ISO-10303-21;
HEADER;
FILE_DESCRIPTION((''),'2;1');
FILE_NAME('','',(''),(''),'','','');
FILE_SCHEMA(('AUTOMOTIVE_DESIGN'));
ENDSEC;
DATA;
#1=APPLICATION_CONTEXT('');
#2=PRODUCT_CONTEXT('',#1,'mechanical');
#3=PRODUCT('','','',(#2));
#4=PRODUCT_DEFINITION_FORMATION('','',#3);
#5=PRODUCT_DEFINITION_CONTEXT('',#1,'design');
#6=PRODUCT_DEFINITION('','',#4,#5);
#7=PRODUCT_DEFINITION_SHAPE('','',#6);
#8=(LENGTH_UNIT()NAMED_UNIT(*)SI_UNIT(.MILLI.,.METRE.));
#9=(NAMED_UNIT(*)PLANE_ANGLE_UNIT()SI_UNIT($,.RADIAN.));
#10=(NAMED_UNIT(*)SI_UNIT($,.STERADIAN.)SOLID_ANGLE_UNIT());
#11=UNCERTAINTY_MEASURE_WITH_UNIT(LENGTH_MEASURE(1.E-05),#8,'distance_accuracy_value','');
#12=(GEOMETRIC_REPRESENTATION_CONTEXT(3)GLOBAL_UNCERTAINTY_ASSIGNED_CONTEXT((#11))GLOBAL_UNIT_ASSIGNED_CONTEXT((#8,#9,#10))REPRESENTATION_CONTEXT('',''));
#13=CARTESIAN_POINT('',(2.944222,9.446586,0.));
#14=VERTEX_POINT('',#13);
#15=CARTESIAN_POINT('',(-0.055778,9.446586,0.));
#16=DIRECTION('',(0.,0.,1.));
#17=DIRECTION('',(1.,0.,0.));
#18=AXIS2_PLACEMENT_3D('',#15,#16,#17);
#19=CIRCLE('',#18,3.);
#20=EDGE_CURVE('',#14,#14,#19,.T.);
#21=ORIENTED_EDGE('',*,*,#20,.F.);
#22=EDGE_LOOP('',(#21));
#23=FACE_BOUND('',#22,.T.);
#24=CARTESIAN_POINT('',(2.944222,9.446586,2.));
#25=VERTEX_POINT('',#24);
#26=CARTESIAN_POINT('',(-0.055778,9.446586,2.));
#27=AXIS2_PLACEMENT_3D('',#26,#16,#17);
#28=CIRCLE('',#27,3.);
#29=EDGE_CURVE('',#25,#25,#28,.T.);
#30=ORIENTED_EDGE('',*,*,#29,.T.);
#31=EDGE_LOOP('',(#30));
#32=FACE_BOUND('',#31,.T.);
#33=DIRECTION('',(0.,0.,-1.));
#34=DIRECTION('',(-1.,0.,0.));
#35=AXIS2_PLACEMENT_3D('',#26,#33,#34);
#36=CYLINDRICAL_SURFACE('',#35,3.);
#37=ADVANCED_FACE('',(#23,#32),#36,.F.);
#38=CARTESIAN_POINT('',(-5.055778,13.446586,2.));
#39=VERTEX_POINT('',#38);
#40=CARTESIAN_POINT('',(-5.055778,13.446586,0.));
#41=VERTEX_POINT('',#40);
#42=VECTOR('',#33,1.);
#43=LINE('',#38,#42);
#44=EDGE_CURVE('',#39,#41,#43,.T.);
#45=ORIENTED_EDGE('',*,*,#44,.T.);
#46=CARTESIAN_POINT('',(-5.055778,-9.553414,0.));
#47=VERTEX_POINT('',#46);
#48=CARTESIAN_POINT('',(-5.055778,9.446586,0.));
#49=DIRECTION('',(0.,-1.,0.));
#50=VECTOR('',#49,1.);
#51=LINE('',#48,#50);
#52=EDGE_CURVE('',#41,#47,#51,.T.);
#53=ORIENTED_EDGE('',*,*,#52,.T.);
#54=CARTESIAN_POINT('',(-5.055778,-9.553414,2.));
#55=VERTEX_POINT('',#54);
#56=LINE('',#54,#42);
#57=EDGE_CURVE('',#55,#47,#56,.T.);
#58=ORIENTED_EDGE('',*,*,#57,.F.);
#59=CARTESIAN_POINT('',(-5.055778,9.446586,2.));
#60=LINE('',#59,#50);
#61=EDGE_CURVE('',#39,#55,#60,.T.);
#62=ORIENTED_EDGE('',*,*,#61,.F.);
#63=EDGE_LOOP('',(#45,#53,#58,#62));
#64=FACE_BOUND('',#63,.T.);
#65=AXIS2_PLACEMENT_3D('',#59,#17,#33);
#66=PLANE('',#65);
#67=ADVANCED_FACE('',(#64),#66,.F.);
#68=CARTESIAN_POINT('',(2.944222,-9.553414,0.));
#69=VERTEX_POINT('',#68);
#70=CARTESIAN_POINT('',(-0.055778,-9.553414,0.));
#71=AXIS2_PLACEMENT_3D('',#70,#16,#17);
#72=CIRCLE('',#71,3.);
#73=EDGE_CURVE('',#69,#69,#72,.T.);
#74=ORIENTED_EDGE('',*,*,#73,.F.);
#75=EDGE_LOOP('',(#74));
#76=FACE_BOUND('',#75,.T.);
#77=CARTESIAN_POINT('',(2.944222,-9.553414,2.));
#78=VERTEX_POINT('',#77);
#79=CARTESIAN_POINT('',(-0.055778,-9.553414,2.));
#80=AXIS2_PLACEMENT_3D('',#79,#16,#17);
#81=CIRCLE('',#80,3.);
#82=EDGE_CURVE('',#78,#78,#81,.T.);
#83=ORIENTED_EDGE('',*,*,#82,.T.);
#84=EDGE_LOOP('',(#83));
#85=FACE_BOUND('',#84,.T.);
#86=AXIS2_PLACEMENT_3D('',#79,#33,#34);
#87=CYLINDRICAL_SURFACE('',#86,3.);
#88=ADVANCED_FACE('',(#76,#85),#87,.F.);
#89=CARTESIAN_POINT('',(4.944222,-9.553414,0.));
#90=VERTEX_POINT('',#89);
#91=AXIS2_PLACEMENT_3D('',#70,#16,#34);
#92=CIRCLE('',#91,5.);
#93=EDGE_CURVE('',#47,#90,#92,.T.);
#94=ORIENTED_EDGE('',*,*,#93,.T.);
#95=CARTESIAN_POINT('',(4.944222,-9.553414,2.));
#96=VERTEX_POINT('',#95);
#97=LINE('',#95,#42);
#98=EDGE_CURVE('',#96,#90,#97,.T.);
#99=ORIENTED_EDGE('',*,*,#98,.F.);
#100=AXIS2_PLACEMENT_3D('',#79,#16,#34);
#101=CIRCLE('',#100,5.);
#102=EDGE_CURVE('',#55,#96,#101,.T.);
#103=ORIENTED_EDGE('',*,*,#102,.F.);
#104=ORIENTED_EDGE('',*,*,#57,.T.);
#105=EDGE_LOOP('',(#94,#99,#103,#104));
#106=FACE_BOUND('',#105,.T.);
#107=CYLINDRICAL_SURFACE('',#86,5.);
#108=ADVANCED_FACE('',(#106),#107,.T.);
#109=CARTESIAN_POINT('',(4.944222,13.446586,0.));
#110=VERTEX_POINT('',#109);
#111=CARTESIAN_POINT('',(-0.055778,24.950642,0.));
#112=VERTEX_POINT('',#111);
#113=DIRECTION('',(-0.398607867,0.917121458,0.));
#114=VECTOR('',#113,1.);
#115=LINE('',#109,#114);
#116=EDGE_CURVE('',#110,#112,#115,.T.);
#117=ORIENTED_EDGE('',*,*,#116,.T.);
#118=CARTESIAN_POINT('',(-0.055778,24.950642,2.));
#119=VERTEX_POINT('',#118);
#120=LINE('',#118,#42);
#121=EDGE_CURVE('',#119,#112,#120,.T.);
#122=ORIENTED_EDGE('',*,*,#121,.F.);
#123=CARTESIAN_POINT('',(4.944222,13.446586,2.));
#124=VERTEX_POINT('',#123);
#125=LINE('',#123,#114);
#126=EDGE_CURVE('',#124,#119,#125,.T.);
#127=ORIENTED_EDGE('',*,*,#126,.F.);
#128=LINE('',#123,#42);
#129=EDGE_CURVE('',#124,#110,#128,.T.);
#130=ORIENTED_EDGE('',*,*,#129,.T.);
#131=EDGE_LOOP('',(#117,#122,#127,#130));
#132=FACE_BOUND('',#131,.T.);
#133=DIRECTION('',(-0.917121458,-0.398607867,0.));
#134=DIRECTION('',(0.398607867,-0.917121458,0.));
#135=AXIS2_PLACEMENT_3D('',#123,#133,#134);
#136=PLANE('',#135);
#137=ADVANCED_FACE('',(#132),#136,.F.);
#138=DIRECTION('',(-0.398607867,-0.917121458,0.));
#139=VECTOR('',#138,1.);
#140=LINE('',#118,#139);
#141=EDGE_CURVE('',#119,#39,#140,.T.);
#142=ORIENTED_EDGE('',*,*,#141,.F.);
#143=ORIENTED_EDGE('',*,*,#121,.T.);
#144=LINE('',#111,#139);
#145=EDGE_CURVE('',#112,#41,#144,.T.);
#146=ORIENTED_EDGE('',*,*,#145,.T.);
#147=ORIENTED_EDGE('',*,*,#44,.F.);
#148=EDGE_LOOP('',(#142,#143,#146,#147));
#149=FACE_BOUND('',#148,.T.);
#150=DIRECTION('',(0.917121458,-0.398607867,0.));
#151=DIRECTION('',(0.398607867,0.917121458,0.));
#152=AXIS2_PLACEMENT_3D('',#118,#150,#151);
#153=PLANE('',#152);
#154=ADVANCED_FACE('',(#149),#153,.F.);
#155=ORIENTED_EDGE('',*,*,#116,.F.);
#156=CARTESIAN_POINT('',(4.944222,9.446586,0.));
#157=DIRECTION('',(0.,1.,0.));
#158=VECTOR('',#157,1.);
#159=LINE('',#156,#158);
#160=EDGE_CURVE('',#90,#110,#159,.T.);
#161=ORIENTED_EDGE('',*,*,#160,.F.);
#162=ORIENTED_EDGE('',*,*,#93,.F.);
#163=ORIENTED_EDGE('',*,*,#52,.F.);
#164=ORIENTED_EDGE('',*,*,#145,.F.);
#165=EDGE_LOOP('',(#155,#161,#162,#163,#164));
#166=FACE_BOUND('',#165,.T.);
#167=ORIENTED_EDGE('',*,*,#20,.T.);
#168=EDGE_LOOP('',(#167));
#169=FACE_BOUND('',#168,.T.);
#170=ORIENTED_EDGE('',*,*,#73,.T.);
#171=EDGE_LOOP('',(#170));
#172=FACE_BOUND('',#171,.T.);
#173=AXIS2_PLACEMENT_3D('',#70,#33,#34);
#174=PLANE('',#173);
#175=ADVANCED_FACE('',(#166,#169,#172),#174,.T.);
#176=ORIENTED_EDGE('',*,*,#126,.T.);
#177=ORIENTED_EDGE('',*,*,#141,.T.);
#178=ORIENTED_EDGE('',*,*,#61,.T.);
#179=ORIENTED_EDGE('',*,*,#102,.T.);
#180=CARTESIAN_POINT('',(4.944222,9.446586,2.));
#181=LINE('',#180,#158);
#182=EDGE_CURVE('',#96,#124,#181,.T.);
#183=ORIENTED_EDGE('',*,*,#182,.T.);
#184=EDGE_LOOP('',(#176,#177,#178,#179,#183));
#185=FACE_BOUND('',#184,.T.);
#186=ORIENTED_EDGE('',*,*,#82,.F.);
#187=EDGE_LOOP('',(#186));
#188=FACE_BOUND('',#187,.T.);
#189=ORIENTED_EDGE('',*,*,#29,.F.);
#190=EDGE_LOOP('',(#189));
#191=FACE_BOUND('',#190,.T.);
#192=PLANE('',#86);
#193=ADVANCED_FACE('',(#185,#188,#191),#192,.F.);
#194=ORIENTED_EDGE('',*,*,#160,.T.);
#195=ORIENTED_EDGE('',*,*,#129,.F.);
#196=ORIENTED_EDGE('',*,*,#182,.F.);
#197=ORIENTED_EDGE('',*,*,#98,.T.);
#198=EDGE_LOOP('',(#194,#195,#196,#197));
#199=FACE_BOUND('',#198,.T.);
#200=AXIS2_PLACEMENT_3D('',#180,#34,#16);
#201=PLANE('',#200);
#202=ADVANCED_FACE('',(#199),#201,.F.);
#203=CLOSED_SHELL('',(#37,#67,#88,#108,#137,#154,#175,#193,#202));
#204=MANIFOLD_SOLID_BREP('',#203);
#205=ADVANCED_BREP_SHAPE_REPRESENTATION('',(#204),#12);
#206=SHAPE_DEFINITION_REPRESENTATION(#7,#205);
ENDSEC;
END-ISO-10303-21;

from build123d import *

# Parameters (mm, degrees)
SKETCH_1_R      = 3
EXTRUDE_1_DEPTH = 2


with BuildPart() as part:
    # 草图1 → 凸台-拉伸1 (new body)
    with BuildSketch(Plane.XY):
        with BuildLine():
            Line((4.944222113, 9.446585585), (4.944222113, -9.553414415))
            ThreePointArc((4.944222113, -9.553414415), (-0.055777887, -14.553414415), (-5.055777887, -9.553414415))
            Line((-5.055777887, -9.553414415), (-5.055777887, 9.446585585))
            Line((-5.055777887, 9.446585585), (-5.055777887, 13.446585585))
            Line((-5.055777887, 13.446585585), (-0.055777887, 24.950641748))
            Line((-0.055777887, 24.950641748), (4.944222113, 13.446585585))
            Line((4.944222113, 13.446585585), (4.944222113, 9.446585585))
        make_face()
        with Locations((-0.055777887, 9.446585585)):
            Circle(SKETCH_1_R, mode=Mode.SUBTRACT)
        with Locations((-0.055777887, -9.553414415)):
            Circle(SKETCH_1_R, mode=Mode.SUBTRACT)
    extrude(amount=EXTRUDE_1_DEPTH)


solid = part.part
